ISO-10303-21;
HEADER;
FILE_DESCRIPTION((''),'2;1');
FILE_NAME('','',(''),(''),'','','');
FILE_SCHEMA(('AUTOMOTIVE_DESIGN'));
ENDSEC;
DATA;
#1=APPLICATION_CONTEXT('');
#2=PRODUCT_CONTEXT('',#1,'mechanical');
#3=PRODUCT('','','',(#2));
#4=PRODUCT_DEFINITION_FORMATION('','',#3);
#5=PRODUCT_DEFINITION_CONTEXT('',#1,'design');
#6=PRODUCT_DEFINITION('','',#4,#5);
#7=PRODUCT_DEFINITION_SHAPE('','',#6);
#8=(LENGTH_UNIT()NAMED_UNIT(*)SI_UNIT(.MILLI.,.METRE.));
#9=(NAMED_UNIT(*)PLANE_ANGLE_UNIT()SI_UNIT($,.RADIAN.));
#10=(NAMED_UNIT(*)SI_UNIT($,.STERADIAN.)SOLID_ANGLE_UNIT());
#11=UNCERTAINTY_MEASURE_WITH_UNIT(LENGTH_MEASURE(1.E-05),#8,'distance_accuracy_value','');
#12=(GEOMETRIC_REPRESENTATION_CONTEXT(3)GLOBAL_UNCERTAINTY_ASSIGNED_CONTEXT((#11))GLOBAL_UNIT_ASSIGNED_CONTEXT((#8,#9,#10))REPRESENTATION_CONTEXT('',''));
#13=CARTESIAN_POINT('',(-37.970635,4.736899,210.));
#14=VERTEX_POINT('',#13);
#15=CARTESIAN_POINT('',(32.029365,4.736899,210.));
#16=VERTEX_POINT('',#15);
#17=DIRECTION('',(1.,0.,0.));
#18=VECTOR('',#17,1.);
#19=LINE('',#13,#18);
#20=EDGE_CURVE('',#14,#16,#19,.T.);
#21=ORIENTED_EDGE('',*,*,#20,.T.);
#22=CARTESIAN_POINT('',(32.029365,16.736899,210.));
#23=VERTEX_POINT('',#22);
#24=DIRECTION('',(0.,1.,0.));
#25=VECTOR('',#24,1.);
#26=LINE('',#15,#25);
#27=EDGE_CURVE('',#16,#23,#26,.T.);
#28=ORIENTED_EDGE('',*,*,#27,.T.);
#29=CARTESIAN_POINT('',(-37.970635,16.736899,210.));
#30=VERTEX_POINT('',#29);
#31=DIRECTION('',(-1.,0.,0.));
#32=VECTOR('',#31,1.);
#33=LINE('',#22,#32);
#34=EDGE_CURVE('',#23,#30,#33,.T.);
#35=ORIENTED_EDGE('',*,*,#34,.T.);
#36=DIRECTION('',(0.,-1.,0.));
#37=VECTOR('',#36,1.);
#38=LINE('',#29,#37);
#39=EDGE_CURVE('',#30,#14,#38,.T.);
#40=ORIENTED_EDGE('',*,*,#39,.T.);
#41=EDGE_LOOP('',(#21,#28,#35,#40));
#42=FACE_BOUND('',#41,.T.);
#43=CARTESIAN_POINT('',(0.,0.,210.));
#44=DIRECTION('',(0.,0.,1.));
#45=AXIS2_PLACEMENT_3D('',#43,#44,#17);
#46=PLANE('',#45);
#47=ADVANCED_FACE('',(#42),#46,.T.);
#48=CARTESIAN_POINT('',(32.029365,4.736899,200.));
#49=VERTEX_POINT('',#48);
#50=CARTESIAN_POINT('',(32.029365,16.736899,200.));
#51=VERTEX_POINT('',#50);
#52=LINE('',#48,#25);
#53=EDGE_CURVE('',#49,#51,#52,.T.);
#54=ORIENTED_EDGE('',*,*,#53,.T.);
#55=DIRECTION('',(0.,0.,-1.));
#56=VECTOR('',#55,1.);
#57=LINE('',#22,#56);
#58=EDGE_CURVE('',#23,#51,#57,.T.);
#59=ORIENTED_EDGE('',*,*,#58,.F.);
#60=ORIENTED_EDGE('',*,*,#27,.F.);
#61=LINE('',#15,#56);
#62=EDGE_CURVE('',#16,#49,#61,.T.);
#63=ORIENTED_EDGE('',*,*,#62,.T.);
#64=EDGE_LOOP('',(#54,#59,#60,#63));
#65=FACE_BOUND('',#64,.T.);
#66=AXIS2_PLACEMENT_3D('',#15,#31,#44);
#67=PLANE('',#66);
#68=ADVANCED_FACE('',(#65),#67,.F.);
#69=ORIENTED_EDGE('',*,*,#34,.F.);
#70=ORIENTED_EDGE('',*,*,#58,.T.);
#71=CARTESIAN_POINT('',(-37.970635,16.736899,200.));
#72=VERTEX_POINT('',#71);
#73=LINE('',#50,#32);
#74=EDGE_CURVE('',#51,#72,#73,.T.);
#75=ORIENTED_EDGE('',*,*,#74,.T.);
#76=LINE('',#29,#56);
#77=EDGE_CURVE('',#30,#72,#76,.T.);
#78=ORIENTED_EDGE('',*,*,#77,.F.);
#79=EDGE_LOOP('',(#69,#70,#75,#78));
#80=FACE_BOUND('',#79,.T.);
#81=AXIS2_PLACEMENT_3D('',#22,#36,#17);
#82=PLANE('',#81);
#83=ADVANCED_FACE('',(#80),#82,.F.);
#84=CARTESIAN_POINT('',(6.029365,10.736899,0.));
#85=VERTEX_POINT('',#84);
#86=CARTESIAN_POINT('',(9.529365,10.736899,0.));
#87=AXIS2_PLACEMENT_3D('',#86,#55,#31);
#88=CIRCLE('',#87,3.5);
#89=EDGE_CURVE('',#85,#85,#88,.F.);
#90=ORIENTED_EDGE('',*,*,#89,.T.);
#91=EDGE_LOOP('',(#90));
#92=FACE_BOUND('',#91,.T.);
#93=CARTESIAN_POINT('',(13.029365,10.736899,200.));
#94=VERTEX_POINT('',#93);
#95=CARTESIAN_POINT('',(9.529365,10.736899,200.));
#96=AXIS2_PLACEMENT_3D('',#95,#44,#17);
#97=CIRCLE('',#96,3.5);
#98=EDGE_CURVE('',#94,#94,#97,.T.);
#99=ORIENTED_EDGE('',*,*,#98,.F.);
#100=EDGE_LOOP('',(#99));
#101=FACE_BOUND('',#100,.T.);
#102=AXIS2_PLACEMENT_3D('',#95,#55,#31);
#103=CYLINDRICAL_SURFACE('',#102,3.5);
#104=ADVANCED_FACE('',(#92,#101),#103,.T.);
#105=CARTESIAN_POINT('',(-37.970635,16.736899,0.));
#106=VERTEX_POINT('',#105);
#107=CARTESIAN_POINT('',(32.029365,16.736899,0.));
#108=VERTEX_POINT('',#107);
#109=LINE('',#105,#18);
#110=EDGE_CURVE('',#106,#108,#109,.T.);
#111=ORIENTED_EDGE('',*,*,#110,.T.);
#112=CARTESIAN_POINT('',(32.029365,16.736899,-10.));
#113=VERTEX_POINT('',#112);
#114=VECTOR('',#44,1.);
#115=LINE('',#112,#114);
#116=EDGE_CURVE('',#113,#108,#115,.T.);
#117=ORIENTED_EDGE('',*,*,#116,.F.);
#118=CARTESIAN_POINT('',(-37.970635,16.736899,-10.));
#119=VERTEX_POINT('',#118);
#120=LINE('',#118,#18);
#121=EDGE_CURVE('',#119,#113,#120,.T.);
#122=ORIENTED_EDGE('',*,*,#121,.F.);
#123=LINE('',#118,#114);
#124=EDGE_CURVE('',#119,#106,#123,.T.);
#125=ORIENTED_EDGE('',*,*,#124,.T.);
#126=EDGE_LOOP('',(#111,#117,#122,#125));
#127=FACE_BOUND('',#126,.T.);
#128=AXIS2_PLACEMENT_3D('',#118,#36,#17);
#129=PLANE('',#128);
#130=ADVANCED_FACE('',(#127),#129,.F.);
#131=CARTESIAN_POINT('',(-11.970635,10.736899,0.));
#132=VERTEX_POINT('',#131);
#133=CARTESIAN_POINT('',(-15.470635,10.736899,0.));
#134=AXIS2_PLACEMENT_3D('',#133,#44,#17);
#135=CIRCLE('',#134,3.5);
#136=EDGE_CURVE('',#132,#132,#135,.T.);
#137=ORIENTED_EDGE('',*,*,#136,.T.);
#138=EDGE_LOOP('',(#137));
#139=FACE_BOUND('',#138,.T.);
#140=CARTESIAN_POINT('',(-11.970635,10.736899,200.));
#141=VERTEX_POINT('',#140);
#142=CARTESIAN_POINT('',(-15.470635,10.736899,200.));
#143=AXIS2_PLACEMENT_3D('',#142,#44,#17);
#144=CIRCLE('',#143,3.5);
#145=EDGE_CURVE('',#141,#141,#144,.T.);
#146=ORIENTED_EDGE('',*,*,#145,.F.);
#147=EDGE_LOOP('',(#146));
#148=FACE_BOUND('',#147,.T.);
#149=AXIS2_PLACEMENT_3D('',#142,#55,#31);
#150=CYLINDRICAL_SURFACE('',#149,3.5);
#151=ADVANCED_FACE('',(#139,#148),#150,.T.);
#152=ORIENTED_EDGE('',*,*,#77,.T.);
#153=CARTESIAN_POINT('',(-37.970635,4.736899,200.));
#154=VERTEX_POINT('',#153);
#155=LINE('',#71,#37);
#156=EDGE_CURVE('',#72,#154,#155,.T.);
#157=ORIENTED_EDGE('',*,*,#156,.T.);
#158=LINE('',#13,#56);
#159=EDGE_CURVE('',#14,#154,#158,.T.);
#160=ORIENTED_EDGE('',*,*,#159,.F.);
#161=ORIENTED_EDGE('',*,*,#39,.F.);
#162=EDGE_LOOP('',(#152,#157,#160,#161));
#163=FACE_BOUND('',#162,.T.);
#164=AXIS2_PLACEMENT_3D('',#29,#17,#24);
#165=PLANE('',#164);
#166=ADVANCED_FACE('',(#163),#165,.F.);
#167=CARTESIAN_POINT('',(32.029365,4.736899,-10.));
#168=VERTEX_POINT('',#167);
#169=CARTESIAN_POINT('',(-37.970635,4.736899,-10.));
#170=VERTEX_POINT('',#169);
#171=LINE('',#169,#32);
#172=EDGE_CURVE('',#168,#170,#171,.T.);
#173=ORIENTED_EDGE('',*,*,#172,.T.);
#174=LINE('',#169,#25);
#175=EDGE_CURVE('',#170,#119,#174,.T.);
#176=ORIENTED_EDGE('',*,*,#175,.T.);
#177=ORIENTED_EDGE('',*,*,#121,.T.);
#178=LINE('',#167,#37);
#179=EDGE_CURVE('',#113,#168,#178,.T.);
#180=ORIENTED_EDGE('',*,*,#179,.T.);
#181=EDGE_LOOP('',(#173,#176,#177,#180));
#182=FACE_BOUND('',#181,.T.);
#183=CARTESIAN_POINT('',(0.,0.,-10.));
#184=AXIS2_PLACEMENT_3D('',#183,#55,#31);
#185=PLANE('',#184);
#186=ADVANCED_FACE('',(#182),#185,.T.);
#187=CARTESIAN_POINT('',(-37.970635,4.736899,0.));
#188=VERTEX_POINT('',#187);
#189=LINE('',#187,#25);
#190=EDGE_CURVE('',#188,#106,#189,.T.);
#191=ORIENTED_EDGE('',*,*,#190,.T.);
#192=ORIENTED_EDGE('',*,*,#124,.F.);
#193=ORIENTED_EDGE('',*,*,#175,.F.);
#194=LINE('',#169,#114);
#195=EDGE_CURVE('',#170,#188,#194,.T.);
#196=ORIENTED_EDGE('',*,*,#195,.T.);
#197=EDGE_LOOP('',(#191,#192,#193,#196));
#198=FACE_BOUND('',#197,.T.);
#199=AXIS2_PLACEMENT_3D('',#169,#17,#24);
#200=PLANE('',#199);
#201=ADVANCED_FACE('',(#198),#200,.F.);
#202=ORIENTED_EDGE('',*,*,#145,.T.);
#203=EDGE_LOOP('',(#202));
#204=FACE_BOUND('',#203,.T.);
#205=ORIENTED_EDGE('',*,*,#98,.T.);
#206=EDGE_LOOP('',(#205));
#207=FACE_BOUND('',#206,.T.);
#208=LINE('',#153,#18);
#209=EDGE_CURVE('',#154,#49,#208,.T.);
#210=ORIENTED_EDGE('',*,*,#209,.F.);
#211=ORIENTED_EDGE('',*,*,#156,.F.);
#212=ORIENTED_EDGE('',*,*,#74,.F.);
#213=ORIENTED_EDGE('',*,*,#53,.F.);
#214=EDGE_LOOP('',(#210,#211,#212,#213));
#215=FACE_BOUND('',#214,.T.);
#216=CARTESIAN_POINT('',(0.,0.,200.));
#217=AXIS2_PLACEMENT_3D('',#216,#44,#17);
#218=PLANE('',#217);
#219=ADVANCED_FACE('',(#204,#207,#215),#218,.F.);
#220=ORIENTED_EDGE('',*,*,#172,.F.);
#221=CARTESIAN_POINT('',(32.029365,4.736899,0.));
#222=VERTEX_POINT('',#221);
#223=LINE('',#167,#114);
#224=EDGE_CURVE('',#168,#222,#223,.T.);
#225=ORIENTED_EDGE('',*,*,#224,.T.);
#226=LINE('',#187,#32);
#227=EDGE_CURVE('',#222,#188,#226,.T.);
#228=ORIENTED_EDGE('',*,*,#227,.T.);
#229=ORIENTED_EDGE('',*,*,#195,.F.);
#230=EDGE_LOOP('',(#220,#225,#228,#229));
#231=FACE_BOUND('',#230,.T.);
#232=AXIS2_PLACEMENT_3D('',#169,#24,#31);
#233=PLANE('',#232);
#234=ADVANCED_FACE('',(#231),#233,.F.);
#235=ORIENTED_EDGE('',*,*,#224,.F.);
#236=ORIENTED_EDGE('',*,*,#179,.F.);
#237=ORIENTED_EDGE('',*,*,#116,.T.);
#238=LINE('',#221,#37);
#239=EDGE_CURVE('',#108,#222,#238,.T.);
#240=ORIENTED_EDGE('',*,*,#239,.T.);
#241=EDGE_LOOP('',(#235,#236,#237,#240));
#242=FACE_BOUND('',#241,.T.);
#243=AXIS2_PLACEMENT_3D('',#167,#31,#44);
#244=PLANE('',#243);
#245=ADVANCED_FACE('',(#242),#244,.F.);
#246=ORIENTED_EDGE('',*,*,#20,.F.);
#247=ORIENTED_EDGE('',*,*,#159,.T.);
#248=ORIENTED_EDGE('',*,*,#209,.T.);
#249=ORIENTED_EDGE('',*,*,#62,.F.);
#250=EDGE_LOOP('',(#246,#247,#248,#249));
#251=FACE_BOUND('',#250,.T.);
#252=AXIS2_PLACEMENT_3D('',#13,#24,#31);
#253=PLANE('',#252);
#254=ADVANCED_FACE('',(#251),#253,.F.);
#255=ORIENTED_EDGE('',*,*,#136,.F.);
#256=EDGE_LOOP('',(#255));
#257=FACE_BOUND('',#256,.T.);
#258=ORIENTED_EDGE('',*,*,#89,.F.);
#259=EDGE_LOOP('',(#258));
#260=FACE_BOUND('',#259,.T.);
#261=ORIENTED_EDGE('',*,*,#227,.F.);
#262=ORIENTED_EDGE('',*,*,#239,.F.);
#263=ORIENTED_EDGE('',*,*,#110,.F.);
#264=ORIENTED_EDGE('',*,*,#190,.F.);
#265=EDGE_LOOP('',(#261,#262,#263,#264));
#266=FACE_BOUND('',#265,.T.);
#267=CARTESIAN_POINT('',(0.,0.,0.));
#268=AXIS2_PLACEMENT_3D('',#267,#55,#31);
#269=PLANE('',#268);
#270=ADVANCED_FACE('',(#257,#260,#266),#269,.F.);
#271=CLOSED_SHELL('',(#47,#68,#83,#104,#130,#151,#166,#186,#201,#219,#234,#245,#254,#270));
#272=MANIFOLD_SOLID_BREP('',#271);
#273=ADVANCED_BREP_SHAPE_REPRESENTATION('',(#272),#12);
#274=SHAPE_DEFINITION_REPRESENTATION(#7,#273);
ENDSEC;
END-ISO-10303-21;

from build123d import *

# Parameters (mm, degrees)
ESQUISSE1_R          = 3.5
BOSS_EXTRU_1_DEPTH   = 200
BOSS_EXTRU_1_2_DEPTH = 200
ESQUISSE2_W          = 70
ESQUISSE2_H          = 12
BOSS_EXTRU_2_DEPTH   = 10
ESQUISSE3_W          = 70
ESQUISSE3_H          = 12
BOSS_EXTRU_3_DEPTH   = 10


with BuildPart() as part:
    # Esquisse1 → Boss.-Extru.1 (new body)
    with BuildSketch(Plane.XY):
        with Locations((-15.470635051, 10.736898533)):
            Circle(ESQUISSE1_R)
    extrude(amount=BOSS_EXTRU_1_DEPTH)



with BuildPart() as body_2:
    # Esquisse1 → Boss.-Extru.1 2 (new body)
    with BuildSketch(Plane.XY):
        with Locations((9.529364949, 10.736898533)):
            Circle(ESQUISSE1_R)
    extrude(amount=BOSS_EXTRU_1_2_DEPTH)


with BuildPart() as part_1:
    add(part.part)

    add(body_2.part)  # Boss.-Extru.2 merges body 2
    # Esquisse2 → Boss.-Extru.2 (add)
    with BuildSketch(Plane(origin=(0, 0, 0), x_dir=(-1, 0, 0), z_dir=(0, 0, -1))):
        with Locations((2.970635051, 10.736898533)):
            Rectangle(ESQUISSE2_W, ESQUISSE2_H)
    extrude(amount=BOSS_EXTRU_2_DEPTH)

    # Esquisse3 → Boss.-Extru.3 (add)
    with BuildSketch(Plane.XY.offset(200)):
        with Locations((-2.970635051, 10.736898533)):
            Rectangle(ESQUISSE3_W, ESQUISSE3_H)
    extrude(amount=BOSS_EXTRU_3_DEPTH)


solid = part_1.part
